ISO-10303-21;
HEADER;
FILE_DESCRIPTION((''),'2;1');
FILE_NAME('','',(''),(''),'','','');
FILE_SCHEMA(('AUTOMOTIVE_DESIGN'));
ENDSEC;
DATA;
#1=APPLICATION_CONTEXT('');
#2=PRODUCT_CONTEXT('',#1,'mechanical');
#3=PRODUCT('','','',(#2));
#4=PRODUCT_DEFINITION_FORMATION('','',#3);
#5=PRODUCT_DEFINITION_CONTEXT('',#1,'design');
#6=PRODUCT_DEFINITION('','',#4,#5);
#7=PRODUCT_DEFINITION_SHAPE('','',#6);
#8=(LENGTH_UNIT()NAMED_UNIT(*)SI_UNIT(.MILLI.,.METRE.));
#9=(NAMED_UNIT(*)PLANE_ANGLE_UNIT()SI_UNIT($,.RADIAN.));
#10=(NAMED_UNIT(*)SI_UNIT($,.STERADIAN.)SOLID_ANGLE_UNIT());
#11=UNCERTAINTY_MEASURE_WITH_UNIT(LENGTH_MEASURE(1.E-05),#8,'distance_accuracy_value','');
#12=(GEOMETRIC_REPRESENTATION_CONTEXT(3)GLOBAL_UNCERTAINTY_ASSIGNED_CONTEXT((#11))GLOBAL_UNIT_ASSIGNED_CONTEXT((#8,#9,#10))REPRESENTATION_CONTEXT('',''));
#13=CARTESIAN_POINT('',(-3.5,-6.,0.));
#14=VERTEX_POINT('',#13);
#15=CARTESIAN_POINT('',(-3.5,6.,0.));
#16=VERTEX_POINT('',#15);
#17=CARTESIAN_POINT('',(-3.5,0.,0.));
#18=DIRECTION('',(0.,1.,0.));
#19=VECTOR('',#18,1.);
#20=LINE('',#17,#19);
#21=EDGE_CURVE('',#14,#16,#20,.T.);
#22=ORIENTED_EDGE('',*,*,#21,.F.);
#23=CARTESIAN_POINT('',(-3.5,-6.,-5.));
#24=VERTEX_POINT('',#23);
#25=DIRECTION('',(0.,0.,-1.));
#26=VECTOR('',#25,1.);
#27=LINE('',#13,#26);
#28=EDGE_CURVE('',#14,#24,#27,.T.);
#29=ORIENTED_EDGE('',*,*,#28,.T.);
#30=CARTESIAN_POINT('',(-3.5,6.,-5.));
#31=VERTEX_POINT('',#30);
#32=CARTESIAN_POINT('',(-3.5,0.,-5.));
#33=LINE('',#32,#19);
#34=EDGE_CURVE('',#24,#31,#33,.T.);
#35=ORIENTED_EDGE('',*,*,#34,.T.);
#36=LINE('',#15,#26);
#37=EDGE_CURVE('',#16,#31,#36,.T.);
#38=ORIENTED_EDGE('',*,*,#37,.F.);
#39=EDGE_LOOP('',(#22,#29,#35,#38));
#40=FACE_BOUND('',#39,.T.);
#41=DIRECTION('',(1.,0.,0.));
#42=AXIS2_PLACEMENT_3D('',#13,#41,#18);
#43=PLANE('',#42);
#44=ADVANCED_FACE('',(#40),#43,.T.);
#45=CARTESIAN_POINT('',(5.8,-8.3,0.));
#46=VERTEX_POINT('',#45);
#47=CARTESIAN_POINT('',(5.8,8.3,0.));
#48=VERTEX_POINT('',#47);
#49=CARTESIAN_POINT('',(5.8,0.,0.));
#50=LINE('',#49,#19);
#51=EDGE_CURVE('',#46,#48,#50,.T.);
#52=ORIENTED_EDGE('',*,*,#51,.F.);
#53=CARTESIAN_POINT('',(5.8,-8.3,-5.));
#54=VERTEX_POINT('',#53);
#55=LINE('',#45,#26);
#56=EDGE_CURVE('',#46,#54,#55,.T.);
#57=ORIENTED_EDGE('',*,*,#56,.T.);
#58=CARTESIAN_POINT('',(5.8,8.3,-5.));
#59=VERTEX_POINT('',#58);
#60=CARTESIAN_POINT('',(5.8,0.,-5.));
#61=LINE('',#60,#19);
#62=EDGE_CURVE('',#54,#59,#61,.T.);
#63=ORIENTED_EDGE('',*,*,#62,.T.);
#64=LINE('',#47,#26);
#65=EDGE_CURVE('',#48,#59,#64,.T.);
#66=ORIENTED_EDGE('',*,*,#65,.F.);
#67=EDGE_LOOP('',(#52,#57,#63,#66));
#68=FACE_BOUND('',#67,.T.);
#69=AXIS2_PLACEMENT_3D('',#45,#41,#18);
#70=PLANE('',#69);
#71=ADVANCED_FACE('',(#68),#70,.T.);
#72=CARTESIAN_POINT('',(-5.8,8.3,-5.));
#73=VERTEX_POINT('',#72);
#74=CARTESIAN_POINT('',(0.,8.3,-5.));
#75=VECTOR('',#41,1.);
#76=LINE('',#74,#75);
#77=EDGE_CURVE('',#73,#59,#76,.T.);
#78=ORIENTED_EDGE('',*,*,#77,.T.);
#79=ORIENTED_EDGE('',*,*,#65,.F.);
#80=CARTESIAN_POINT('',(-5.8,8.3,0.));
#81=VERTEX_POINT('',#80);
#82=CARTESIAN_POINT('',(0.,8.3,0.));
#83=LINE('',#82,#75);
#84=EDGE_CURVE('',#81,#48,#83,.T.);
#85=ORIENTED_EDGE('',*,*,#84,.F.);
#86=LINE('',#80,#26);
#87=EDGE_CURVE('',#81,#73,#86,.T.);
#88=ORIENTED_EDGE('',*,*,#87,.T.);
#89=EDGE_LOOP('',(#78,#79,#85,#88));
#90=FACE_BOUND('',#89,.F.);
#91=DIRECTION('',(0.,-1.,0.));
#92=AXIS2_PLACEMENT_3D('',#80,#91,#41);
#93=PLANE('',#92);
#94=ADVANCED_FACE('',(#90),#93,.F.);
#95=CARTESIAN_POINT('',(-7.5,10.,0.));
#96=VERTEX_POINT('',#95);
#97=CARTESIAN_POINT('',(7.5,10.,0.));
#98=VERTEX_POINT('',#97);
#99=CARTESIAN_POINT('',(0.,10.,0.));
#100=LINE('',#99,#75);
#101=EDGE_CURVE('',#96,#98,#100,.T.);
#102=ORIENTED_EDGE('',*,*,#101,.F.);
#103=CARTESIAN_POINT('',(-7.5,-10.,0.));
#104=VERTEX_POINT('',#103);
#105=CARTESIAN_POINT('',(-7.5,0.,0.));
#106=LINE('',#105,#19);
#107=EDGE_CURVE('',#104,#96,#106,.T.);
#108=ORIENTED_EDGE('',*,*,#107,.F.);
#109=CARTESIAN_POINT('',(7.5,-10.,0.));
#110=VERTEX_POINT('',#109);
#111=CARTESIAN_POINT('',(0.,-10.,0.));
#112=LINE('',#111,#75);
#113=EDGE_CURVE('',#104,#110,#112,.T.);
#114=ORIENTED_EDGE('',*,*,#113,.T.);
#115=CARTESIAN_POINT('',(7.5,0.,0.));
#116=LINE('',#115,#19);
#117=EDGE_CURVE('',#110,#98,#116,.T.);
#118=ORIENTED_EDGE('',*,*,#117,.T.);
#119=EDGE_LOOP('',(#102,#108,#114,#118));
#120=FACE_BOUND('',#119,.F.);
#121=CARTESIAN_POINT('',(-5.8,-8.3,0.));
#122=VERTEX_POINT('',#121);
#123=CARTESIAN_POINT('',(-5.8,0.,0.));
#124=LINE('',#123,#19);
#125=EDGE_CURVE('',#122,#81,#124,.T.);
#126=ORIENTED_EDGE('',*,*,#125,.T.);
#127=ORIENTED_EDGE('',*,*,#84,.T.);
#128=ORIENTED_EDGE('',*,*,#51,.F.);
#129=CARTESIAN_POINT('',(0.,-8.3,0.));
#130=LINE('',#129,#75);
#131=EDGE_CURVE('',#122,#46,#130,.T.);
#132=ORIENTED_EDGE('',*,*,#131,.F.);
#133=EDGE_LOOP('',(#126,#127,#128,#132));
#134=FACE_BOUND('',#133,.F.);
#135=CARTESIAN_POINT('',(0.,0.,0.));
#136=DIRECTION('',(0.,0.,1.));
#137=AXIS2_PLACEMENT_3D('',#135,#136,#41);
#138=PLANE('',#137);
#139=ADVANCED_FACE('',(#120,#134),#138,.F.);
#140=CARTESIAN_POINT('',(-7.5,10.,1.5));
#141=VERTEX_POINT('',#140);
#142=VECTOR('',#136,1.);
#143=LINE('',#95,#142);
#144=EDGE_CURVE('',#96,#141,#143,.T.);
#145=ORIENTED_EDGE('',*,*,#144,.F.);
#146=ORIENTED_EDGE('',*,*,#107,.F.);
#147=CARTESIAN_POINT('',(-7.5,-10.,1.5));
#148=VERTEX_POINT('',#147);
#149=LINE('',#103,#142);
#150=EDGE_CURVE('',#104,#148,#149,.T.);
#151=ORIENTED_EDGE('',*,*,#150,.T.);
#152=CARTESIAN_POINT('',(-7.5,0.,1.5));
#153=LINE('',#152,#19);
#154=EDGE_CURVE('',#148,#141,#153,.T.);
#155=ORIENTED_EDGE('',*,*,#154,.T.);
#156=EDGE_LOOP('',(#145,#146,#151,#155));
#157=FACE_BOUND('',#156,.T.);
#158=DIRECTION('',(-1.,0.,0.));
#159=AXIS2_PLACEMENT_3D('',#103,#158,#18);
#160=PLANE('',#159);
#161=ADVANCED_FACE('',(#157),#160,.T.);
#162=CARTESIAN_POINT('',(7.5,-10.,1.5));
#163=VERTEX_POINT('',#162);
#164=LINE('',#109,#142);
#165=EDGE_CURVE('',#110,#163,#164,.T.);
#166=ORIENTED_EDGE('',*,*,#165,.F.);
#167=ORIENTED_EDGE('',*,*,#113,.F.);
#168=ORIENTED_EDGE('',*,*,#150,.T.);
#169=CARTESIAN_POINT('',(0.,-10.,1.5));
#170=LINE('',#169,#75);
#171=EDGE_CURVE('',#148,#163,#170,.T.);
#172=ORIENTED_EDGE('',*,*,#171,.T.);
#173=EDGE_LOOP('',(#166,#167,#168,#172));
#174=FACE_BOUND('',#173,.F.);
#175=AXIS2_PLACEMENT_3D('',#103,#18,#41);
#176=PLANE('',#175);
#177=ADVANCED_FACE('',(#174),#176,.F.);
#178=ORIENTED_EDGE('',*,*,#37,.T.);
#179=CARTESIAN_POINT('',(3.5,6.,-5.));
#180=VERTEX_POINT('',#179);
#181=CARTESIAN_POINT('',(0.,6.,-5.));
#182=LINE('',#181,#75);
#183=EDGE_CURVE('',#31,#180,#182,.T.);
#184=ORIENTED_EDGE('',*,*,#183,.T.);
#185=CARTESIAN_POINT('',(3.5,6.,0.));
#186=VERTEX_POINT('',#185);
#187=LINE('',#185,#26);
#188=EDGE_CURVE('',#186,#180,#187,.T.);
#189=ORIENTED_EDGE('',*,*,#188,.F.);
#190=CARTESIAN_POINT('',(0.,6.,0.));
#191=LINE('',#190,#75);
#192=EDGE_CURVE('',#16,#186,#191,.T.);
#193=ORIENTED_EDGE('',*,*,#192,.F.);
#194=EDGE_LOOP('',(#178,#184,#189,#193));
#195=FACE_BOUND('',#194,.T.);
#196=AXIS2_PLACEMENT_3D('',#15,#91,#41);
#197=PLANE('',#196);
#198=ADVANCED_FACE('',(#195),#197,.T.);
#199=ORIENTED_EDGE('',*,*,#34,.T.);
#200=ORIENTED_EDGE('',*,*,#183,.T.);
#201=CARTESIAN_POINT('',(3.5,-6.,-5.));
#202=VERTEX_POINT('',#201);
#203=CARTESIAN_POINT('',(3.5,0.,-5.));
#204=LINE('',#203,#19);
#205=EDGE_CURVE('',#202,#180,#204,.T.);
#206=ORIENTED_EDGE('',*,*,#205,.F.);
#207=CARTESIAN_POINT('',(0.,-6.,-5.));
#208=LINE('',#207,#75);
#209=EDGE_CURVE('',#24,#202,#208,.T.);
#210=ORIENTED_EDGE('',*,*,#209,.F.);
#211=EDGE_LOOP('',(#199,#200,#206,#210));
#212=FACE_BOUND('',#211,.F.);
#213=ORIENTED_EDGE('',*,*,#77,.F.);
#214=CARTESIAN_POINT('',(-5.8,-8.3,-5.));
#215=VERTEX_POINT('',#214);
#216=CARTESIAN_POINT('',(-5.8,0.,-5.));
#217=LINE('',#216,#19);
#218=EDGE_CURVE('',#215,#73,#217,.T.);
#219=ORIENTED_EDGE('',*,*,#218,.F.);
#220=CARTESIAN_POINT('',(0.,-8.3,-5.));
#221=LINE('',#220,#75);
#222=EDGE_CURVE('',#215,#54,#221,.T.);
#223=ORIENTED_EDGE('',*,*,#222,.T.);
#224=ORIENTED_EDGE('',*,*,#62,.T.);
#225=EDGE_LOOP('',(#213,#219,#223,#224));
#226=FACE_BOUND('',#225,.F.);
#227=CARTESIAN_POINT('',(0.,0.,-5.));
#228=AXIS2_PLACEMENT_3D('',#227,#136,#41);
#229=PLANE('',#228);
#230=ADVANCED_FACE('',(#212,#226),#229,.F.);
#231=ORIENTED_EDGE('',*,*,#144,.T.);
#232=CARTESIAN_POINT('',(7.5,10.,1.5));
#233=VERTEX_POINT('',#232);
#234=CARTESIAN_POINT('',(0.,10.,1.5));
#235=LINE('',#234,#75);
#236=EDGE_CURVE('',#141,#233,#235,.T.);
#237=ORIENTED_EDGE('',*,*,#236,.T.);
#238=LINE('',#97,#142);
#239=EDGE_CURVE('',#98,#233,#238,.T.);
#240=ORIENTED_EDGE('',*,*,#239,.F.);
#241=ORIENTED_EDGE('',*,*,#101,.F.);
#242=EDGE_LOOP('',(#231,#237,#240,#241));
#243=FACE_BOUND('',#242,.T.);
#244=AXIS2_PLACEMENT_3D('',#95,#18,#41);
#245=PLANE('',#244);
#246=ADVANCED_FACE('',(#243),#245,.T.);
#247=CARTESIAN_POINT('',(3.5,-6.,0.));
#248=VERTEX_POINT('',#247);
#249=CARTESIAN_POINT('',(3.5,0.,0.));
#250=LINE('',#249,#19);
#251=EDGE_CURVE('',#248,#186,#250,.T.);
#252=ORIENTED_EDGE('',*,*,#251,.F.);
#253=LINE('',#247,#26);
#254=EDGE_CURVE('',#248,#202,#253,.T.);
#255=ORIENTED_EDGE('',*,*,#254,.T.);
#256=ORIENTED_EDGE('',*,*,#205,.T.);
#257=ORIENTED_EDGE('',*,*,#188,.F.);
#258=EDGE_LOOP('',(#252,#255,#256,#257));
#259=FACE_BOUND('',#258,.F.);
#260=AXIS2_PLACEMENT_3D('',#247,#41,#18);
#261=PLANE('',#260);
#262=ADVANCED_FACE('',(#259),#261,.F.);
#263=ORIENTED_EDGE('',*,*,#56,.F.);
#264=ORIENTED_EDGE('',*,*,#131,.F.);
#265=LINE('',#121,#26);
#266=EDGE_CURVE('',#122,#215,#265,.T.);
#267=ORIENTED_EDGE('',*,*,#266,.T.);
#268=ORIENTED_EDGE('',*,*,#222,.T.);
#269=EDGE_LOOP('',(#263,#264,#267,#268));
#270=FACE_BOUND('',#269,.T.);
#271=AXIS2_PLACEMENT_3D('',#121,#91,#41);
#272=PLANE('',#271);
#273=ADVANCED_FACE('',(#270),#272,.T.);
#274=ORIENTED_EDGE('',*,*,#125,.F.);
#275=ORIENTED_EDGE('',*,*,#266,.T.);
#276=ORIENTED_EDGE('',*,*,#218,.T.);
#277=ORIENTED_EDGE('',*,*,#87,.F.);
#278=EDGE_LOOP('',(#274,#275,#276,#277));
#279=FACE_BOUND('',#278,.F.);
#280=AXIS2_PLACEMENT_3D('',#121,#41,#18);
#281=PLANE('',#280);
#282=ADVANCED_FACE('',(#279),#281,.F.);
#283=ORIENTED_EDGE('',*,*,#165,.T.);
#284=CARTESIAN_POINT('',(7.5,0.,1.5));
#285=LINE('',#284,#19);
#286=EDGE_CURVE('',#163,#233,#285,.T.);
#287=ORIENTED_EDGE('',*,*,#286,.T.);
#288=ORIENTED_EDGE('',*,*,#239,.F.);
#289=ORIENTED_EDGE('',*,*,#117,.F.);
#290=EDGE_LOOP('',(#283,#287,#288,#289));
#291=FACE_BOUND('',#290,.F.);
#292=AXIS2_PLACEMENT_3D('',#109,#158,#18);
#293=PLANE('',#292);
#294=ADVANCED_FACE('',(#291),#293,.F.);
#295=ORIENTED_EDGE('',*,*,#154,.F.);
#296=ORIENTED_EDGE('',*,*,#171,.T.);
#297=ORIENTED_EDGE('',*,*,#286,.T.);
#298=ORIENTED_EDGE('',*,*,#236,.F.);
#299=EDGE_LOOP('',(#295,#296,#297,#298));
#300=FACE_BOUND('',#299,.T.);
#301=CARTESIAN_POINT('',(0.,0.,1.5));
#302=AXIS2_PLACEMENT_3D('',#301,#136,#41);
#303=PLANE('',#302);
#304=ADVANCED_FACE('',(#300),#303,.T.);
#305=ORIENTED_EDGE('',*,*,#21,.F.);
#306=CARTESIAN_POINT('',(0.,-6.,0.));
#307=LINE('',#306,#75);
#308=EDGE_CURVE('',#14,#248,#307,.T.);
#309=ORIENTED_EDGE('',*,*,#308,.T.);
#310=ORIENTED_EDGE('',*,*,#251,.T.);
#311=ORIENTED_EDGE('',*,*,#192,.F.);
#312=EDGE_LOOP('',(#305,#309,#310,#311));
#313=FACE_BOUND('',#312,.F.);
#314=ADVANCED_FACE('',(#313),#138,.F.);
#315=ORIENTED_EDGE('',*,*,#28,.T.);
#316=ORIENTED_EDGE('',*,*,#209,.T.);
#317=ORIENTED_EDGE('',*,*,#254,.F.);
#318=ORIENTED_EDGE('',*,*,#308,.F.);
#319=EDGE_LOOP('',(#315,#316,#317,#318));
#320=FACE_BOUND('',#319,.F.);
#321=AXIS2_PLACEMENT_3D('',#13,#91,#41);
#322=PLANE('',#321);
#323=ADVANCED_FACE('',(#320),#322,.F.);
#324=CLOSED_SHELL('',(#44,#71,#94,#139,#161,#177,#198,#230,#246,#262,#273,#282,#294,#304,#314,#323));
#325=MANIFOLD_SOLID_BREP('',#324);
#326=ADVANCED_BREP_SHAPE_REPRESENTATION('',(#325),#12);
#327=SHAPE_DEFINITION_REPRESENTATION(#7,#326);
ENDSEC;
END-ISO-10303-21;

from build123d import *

# Parameters (mm, degrees)
F0_W     = 15
F0_H     = 20
F0_W_2   = 11.6
F0_H_2   = 16.6
F0_W_3   = 7
F0_H_3   = 12
F1_DEPTH = 1.5
F2_DEPTH = 5


with BuildPart() as f1:
    # F0 (on Top) → F1 (new body)
    with BuildSketch(Plane.XY):
        Rectangle(F0_W, F0_H)
        Rectangle(F0_W_2, F0_H_2, mode=Mode.SUBTRACT)
        Rectangle(F0_W_2, F0_H_2)
        Rectangle(F0_W_3, F0_H_3, mode=Mode.SUBTRACT)
        Rectangle(F0_W_3, F0_H_3)
    extrude(amount=F1_DEPTH)

    # F0 (on Top) → F2 (join)
    with BuildSketch(Plane.XY):
        Rectangle(F0_W_2, F0_H_2)
        Rectangle(F0_W_3, F0_H_3, mode=Mode.SUBTRACT)
    extrude(amount=-F2_DEPTH)


solid = f1.part
